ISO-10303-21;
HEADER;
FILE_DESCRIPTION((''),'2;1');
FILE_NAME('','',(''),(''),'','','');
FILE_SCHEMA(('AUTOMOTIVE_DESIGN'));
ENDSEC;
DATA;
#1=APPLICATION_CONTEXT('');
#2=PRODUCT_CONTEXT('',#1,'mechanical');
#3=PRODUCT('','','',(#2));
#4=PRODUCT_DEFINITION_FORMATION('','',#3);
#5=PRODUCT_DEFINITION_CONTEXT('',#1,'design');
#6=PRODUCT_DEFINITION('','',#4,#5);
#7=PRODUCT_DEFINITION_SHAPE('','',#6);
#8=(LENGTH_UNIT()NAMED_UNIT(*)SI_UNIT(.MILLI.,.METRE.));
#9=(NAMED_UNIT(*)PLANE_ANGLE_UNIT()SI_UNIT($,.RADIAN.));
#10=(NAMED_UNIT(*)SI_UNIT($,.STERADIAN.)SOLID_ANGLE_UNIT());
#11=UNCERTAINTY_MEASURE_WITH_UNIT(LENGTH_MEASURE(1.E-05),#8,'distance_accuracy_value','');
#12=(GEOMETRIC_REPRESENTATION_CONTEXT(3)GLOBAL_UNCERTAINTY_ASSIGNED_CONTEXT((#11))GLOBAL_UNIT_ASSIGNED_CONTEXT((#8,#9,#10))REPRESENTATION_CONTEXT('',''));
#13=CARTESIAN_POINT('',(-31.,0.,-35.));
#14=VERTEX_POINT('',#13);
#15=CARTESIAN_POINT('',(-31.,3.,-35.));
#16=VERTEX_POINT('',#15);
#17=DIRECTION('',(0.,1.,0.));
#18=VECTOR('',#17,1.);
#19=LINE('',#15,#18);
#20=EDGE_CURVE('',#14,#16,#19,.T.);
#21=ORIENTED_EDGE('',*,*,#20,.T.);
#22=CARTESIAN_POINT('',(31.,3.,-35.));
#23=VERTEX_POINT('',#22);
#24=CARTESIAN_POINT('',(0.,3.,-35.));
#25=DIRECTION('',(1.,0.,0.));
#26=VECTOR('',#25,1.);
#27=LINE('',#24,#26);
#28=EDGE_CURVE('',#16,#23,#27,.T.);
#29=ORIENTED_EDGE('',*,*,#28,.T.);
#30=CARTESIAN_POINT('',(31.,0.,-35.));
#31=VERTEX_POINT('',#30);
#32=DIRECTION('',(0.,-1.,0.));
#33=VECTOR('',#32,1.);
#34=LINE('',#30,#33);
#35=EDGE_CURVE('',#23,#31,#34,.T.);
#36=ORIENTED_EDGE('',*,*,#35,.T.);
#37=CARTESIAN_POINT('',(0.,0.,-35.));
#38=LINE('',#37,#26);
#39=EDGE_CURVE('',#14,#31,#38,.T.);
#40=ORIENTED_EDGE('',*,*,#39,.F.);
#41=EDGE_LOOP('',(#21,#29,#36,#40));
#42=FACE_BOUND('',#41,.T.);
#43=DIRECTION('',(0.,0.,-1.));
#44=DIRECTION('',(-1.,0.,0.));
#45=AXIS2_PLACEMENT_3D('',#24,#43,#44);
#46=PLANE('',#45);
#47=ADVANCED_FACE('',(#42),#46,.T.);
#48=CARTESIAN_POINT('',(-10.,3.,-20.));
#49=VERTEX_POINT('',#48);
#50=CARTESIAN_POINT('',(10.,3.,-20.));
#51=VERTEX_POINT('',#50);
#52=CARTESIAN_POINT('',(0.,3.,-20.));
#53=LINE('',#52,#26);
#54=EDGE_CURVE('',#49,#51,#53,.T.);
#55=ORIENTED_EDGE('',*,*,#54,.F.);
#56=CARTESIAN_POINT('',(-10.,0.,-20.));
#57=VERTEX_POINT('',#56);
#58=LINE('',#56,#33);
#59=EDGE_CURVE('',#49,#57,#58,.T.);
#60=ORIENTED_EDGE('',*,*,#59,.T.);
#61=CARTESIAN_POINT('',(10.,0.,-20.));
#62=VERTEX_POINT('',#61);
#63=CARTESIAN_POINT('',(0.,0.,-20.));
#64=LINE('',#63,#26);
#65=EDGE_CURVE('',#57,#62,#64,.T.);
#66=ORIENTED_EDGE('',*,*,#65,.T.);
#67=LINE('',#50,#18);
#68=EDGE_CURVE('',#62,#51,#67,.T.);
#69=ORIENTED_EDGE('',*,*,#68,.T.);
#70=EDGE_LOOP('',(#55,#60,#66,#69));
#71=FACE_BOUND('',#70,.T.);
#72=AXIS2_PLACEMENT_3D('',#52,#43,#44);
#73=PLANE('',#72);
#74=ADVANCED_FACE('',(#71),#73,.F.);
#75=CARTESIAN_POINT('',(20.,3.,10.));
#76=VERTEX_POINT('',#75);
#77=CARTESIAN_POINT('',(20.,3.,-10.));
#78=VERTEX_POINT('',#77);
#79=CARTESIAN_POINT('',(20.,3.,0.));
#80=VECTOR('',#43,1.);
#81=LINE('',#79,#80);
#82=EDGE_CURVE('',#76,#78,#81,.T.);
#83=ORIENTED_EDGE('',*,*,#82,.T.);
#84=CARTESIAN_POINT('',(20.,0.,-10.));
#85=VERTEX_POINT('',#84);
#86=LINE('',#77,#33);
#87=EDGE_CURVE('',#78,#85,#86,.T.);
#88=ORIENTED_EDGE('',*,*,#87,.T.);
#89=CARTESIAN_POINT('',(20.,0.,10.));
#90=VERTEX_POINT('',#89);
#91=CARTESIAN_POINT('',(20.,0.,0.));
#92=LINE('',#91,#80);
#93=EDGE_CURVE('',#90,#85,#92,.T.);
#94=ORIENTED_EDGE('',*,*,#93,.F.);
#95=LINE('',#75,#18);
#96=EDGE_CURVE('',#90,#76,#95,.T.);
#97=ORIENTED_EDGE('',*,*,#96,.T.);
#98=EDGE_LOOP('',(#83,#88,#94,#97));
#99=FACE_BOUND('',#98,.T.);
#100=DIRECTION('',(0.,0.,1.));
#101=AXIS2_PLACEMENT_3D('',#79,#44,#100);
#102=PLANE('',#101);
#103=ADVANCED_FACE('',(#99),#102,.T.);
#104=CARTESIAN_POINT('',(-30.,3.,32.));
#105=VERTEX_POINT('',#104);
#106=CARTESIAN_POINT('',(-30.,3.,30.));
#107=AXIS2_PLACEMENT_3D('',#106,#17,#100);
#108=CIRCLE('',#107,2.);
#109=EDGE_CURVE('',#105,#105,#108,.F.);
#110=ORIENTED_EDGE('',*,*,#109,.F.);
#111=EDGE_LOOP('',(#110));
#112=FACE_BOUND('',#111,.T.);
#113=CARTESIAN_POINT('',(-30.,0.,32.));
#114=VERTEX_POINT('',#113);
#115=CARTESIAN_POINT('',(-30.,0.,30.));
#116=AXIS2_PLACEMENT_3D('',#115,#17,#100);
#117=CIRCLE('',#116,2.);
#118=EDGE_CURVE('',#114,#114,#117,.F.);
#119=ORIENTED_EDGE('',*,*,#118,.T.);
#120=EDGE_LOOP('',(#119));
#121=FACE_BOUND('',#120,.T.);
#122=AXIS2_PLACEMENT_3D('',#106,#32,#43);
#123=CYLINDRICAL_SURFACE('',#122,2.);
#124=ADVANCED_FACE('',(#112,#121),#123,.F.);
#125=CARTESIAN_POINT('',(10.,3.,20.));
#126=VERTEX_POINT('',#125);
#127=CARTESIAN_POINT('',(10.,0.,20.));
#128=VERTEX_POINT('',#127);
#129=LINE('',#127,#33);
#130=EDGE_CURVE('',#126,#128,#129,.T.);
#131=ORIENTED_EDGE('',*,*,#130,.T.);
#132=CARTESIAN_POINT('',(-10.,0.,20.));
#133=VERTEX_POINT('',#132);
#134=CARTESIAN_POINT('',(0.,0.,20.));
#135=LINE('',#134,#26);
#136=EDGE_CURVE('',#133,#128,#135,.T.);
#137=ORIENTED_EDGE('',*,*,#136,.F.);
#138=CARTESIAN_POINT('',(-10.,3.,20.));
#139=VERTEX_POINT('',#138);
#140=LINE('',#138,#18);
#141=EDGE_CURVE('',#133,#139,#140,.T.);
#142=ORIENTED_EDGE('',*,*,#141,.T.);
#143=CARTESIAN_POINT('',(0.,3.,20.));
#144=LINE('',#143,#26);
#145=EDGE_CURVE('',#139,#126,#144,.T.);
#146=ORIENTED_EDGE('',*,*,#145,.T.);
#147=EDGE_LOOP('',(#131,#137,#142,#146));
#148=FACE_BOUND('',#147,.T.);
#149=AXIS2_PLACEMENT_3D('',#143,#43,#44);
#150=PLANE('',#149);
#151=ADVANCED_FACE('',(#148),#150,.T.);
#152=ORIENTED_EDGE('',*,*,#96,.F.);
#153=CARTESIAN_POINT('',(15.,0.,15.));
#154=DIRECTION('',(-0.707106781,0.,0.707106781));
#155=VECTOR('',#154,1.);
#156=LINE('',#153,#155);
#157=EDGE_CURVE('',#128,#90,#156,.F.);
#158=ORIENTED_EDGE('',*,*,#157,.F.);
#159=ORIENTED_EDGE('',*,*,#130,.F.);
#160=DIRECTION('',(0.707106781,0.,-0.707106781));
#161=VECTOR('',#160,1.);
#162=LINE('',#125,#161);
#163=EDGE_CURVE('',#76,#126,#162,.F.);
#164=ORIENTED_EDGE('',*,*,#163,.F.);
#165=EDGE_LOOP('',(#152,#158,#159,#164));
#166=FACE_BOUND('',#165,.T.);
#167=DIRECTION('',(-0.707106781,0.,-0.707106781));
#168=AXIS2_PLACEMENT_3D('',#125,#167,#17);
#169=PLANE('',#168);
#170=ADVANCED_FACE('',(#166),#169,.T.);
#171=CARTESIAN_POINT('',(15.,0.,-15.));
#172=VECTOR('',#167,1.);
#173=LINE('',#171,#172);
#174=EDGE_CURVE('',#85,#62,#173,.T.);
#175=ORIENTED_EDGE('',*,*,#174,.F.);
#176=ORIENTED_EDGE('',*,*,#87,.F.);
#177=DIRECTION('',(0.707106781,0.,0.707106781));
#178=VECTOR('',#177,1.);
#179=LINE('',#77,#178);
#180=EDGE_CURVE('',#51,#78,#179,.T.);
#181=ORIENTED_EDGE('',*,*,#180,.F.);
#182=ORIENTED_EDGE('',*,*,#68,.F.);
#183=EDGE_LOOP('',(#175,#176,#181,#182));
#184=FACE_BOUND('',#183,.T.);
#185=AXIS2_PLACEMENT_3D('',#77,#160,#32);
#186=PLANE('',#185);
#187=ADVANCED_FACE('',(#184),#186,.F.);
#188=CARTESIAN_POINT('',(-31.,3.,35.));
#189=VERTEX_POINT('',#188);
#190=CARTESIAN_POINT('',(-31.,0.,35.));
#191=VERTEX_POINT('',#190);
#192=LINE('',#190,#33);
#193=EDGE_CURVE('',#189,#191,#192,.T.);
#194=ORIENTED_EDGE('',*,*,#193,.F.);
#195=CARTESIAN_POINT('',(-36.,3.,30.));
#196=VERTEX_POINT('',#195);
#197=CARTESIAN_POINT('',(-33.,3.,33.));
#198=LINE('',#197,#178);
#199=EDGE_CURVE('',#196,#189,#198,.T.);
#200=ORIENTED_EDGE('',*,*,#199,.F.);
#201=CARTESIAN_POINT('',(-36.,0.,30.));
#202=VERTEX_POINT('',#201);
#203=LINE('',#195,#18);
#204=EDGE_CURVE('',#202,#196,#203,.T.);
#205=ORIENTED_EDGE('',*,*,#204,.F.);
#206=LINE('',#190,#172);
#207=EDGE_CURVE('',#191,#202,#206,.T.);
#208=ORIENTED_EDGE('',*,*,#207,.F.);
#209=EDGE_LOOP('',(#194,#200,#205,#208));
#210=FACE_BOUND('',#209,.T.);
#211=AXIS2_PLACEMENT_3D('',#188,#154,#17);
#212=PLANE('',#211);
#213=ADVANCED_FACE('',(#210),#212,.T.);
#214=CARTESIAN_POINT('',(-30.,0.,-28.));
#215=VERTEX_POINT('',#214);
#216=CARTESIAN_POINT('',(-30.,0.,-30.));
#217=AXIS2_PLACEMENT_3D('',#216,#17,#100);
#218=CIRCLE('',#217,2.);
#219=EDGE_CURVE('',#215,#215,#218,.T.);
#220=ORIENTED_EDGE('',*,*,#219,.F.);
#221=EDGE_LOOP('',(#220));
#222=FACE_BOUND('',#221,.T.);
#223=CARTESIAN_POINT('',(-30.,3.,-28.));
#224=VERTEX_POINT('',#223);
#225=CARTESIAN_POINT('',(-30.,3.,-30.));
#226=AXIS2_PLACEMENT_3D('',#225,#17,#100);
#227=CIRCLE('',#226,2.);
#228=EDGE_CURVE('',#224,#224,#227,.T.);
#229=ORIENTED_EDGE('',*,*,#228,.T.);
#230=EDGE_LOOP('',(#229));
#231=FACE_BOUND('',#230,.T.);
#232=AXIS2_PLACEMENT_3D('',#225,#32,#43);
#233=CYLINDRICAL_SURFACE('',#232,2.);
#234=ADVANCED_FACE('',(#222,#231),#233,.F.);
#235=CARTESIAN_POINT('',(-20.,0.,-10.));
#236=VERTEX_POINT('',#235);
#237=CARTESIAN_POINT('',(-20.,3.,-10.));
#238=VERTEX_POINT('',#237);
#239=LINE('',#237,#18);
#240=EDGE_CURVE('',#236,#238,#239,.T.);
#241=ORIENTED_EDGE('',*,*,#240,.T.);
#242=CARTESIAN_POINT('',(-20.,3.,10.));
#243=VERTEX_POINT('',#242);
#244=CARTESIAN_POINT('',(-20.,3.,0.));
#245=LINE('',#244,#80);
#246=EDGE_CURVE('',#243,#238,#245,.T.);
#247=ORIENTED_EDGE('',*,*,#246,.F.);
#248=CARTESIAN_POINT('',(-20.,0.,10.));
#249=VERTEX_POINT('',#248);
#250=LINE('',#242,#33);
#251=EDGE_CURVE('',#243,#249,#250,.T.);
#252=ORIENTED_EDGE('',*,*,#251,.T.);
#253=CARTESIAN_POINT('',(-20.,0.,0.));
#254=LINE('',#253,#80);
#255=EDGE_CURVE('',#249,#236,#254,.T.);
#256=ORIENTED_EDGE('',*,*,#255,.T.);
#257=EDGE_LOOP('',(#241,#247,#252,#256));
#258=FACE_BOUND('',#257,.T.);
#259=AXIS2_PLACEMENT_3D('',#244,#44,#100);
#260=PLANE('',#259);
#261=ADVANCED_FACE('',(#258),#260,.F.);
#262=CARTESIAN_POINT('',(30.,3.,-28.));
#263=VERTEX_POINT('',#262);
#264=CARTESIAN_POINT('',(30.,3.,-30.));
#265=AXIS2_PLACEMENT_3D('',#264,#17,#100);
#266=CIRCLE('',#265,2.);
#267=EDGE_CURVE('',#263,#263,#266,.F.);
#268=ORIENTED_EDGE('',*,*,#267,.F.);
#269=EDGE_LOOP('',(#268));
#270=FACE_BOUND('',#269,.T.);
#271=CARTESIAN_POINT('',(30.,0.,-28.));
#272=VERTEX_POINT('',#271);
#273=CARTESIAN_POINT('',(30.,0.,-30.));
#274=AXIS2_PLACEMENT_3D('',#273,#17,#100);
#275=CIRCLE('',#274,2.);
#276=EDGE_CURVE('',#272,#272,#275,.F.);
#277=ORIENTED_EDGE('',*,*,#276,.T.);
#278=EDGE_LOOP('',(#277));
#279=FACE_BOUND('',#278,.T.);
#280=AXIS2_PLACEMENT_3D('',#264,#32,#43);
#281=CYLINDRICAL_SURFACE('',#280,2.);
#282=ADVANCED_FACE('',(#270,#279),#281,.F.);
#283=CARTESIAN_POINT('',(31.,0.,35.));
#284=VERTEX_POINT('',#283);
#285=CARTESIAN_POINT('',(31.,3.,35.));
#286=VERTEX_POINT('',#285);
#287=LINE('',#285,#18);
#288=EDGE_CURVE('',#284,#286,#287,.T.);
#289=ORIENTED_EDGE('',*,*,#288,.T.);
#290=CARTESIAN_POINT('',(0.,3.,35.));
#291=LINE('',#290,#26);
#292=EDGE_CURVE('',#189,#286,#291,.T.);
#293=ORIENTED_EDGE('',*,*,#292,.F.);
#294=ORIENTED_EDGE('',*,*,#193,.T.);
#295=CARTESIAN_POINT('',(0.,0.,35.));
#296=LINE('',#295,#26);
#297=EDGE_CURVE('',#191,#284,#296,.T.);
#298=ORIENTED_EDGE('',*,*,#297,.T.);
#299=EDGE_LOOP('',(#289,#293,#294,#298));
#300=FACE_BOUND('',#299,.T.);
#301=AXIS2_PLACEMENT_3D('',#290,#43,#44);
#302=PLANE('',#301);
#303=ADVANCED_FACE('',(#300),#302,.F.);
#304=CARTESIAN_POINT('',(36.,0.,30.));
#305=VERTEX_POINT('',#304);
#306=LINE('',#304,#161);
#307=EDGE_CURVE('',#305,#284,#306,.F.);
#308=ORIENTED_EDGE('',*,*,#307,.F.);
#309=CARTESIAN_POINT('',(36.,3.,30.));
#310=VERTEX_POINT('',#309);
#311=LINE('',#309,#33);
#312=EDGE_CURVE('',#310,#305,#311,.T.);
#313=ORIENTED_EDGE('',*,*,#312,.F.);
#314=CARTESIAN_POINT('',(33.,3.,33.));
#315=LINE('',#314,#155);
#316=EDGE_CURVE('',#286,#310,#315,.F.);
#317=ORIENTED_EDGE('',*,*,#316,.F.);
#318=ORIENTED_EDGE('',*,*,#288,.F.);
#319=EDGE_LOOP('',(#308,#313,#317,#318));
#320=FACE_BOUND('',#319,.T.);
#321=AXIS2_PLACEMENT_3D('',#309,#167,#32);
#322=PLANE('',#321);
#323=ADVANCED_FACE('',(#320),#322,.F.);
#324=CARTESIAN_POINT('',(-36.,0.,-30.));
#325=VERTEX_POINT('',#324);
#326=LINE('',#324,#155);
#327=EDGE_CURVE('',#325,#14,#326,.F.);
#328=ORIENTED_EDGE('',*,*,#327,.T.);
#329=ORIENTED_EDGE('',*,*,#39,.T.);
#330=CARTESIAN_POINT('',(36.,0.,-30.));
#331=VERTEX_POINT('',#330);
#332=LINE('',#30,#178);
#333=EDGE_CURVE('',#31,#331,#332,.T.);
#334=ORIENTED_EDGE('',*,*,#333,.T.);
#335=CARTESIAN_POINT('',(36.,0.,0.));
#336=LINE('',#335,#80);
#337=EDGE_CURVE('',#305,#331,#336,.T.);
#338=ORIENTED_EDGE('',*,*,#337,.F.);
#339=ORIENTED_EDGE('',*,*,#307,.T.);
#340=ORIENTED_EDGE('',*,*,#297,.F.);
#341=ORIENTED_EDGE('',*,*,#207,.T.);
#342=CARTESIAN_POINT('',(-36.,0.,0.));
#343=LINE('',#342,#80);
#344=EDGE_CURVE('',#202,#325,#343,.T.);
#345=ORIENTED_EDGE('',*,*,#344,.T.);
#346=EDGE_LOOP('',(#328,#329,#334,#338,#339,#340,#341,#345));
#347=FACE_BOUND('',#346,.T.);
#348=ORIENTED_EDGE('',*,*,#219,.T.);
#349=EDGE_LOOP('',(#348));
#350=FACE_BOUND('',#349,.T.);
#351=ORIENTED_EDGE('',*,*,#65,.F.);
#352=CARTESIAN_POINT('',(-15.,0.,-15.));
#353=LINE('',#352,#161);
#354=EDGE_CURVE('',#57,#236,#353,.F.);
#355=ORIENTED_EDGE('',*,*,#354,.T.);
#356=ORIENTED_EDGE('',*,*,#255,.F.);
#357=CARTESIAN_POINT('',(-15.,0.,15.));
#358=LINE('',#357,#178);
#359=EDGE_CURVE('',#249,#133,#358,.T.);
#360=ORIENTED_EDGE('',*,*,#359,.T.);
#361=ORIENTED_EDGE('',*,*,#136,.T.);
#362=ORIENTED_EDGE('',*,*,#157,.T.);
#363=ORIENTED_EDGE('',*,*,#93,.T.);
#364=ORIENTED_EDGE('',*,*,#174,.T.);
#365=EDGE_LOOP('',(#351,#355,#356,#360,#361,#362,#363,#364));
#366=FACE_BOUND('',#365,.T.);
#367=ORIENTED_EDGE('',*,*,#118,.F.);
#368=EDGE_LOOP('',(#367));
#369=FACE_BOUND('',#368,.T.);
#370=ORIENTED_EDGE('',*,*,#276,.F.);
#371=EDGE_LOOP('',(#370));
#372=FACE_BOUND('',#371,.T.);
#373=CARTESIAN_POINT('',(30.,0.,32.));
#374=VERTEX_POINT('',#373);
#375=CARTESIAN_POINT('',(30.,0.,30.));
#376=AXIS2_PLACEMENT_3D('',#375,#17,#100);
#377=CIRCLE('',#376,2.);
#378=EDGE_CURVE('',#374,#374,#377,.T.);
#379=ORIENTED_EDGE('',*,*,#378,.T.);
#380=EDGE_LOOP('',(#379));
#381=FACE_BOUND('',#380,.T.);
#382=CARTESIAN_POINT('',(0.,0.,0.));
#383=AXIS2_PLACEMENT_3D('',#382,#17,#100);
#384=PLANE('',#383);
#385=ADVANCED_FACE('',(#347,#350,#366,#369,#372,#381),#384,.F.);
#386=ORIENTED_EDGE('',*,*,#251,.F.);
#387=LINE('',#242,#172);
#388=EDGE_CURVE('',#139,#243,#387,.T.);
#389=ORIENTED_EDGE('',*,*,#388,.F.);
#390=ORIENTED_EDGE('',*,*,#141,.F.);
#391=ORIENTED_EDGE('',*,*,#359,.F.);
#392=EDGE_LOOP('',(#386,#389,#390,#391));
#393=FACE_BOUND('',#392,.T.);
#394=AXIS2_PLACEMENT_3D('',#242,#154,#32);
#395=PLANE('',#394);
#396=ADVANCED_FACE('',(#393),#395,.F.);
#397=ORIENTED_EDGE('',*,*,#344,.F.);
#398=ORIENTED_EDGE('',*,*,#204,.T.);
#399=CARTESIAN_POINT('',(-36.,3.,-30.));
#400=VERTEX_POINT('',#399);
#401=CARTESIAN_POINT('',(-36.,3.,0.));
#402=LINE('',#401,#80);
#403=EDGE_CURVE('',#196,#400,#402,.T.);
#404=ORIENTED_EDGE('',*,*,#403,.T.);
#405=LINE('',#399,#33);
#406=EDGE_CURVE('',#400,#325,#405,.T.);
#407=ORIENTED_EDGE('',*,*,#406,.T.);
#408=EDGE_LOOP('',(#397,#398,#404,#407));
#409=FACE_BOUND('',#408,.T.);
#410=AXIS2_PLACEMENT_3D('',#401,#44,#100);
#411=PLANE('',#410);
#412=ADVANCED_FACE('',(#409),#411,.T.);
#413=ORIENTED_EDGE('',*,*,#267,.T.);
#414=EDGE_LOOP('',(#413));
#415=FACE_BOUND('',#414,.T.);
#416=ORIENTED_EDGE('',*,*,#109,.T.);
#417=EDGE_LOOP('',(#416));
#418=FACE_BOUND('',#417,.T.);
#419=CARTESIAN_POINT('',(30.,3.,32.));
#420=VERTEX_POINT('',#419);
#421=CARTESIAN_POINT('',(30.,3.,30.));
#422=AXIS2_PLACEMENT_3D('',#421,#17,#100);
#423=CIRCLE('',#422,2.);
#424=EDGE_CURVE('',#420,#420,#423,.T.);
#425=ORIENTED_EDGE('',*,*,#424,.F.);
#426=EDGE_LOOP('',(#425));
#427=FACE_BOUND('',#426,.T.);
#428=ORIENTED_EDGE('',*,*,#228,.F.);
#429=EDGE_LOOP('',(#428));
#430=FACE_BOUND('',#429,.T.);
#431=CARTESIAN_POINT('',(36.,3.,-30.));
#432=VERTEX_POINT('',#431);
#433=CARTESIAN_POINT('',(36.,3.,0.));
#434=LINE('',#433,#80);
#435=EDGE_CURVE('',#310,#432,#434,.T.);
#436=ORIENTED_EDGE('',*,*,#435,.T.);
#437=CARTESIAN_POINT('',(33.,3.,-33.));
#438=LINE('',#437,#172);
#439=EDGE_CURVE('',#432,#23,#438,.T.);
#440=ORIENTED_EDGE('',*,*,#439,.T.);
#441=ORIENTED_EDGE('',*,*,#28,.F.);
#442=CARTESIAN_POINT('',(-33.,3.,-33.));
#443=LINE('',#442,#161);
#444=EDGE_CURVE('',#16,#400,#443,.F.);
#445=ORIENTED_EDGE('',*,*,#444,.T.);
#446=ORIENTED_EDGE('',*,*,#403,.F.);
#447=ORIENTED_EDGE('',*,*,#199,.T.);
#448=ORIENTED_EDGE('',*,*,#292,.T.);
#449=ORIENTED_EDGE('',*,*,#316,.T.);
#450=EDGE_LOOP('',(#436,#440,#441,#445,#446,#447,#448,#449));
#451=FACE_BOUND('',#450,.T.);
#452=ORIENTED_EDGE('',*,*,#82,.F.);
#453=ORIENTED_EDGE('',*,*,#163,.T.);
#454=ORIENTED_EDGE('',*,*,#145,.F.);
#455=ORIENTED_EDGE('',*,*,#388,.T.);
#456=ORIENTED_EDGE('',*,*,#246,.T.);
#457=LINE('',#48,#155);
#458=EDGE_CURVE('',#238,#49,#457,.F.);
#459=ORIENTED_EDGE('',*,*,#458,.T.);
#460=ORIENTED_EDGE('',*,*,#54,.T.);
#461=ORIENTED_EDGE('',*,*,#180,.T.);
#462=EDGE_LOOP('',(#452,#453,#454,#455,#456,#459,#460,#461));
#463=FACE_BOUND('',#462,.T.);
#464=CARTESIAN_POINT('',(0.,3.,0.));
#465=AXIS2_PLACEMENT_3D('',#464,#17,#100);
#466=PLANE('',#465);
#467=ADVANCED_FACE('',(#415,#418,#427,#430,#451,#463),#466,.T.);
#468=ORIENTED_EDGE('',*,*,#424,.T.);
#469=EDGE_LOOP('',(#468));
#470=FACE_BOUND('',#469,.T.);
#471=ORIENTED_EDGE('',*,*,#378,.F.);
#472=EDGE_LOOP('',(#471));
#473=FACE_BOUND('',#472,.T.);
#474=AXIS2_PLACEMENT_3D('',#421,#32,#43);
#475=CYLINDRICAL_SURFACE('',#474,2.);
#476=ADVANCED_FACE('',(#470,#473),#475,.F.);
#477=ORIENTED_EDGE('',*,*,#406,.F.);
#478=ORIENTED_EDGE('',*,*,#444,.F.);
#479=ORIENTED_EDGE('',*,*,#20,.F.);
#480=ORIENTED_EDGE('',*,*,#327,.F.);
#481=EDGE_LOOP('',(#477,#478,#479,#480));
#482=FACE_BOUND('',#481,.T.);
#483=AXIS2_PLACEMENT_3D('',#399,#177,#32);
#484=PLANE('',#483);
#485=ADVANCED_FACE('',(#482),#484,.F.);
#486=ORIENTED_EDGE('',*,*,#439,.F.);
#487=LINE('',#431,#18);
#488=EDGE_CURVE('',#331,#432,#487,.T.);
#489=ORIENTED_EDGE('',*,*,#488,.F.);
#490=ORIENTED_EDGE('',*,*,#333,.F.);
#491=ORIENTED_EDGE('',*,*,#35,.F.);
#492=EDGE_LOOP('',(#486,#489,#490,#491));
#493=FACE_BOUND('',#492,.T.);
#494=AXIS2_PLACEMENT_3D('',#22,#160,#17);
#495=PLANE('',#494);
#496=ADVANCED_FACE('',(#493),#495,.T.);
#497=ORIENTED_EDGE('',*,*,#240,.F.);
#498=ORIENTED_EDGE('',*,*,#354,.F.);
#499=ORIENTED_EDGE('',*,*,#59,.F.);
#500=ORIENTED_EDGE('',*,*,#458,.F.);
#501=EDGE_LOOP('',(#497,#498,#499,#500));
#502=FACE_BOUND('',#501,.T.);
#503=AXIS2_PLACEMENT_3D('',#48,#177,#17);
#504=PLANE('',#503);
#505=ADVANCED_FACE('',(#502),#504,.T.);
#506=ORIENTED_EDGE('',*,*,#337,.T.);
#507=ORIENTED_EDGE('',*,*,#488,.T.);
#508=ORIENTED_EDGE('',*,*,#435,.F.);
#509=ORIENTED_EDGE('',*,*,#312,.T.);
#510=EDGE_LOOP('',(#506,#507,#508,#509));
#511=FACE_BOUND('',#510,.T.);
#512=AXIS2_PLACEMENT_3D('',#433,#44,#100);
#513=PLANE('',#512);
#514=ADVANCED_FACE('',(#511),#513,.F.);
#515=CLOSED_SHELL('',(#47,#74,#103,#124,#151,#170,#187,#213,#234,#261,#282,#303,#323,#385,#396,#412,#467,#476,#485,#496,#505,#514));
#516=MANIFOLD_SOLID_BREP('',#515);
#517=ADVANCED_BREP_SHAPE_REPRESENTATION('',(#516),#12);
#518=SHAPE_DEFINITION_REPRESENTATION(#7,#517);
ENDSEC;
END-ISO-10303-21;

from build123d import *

# Parameters (mm, degrees)
SKETCH_1_W      = 72
SKETCH_1_H      = 70
SKETCH_1_R      = 2
SKETCH_1_W_2    = 40
SKETCH_1_H_2    = 40
EXTRUDE_1_DEPTH = 3
CHAMFER_1_SIZE  = 10
CHAMFER_2_SIZE  = 5


with BuildPart() as part:
    # 草图1 → 凸台-拉伸1 (new body)
    with BuildSketch(Plane(origin=(0, 0, 0), x_dir=(1, 0, 0), z_dir=(0, 1, 0))):
        Rectangle(SKETCH_1_W, SKETCH_1_H)
        with Locations(Location((-30, 30, 0), (0, 0, 270))):
            Circle(SKETCH_1_R, mode=Mode.SUBTRACT)
        with Locations(Location((30, 30, 0), (0, 0, 270))):
            Circle(SKETCH_1_R, mode=Mode.SUBTRACT)
        with Locations(Location((30, -30, 0), (0, 0, 270))):
            Circle(SKETCH_1_R, mode=Mode.SUBTRACT)
        with Locations(Location((-30, -30, 0), (0, 0, 270))):
            Circle(SKETCH_1_R, mode=Mode.SUBTRACT)
        Rectangle(SKETCH_1_W_2, SKETCH_1_H_2, mode=Mode.SUBTRACT)
    extrude(amount=EXTRUDE_1_DEPTH)

    # 倒角1
    chamfer_1_edges = [part.edges().sort_by_distance(p)[0] for p in [
        (20, 1.5, -20),
        (-20, 1.5, -20),
        (-20, 1.5, 20),
        (20, 1.5, 20),
    ]]
    chamfer(chamfer_1_edges, length=CHAMFER_1_SIZE)

    # 倒角2
    chamfer_2_edges = [part.edges().sort_by_distance(p)[0] for p in [
        (-36, 1.5, 35),
        (-36, 1.5, -35),
        (36, 1.5, -35),
        (36, 1.5, 35),
    ]]
    chamfer(chamfer_2_edges, length=CHAMFER_2_SIZE)


solid = part.part
